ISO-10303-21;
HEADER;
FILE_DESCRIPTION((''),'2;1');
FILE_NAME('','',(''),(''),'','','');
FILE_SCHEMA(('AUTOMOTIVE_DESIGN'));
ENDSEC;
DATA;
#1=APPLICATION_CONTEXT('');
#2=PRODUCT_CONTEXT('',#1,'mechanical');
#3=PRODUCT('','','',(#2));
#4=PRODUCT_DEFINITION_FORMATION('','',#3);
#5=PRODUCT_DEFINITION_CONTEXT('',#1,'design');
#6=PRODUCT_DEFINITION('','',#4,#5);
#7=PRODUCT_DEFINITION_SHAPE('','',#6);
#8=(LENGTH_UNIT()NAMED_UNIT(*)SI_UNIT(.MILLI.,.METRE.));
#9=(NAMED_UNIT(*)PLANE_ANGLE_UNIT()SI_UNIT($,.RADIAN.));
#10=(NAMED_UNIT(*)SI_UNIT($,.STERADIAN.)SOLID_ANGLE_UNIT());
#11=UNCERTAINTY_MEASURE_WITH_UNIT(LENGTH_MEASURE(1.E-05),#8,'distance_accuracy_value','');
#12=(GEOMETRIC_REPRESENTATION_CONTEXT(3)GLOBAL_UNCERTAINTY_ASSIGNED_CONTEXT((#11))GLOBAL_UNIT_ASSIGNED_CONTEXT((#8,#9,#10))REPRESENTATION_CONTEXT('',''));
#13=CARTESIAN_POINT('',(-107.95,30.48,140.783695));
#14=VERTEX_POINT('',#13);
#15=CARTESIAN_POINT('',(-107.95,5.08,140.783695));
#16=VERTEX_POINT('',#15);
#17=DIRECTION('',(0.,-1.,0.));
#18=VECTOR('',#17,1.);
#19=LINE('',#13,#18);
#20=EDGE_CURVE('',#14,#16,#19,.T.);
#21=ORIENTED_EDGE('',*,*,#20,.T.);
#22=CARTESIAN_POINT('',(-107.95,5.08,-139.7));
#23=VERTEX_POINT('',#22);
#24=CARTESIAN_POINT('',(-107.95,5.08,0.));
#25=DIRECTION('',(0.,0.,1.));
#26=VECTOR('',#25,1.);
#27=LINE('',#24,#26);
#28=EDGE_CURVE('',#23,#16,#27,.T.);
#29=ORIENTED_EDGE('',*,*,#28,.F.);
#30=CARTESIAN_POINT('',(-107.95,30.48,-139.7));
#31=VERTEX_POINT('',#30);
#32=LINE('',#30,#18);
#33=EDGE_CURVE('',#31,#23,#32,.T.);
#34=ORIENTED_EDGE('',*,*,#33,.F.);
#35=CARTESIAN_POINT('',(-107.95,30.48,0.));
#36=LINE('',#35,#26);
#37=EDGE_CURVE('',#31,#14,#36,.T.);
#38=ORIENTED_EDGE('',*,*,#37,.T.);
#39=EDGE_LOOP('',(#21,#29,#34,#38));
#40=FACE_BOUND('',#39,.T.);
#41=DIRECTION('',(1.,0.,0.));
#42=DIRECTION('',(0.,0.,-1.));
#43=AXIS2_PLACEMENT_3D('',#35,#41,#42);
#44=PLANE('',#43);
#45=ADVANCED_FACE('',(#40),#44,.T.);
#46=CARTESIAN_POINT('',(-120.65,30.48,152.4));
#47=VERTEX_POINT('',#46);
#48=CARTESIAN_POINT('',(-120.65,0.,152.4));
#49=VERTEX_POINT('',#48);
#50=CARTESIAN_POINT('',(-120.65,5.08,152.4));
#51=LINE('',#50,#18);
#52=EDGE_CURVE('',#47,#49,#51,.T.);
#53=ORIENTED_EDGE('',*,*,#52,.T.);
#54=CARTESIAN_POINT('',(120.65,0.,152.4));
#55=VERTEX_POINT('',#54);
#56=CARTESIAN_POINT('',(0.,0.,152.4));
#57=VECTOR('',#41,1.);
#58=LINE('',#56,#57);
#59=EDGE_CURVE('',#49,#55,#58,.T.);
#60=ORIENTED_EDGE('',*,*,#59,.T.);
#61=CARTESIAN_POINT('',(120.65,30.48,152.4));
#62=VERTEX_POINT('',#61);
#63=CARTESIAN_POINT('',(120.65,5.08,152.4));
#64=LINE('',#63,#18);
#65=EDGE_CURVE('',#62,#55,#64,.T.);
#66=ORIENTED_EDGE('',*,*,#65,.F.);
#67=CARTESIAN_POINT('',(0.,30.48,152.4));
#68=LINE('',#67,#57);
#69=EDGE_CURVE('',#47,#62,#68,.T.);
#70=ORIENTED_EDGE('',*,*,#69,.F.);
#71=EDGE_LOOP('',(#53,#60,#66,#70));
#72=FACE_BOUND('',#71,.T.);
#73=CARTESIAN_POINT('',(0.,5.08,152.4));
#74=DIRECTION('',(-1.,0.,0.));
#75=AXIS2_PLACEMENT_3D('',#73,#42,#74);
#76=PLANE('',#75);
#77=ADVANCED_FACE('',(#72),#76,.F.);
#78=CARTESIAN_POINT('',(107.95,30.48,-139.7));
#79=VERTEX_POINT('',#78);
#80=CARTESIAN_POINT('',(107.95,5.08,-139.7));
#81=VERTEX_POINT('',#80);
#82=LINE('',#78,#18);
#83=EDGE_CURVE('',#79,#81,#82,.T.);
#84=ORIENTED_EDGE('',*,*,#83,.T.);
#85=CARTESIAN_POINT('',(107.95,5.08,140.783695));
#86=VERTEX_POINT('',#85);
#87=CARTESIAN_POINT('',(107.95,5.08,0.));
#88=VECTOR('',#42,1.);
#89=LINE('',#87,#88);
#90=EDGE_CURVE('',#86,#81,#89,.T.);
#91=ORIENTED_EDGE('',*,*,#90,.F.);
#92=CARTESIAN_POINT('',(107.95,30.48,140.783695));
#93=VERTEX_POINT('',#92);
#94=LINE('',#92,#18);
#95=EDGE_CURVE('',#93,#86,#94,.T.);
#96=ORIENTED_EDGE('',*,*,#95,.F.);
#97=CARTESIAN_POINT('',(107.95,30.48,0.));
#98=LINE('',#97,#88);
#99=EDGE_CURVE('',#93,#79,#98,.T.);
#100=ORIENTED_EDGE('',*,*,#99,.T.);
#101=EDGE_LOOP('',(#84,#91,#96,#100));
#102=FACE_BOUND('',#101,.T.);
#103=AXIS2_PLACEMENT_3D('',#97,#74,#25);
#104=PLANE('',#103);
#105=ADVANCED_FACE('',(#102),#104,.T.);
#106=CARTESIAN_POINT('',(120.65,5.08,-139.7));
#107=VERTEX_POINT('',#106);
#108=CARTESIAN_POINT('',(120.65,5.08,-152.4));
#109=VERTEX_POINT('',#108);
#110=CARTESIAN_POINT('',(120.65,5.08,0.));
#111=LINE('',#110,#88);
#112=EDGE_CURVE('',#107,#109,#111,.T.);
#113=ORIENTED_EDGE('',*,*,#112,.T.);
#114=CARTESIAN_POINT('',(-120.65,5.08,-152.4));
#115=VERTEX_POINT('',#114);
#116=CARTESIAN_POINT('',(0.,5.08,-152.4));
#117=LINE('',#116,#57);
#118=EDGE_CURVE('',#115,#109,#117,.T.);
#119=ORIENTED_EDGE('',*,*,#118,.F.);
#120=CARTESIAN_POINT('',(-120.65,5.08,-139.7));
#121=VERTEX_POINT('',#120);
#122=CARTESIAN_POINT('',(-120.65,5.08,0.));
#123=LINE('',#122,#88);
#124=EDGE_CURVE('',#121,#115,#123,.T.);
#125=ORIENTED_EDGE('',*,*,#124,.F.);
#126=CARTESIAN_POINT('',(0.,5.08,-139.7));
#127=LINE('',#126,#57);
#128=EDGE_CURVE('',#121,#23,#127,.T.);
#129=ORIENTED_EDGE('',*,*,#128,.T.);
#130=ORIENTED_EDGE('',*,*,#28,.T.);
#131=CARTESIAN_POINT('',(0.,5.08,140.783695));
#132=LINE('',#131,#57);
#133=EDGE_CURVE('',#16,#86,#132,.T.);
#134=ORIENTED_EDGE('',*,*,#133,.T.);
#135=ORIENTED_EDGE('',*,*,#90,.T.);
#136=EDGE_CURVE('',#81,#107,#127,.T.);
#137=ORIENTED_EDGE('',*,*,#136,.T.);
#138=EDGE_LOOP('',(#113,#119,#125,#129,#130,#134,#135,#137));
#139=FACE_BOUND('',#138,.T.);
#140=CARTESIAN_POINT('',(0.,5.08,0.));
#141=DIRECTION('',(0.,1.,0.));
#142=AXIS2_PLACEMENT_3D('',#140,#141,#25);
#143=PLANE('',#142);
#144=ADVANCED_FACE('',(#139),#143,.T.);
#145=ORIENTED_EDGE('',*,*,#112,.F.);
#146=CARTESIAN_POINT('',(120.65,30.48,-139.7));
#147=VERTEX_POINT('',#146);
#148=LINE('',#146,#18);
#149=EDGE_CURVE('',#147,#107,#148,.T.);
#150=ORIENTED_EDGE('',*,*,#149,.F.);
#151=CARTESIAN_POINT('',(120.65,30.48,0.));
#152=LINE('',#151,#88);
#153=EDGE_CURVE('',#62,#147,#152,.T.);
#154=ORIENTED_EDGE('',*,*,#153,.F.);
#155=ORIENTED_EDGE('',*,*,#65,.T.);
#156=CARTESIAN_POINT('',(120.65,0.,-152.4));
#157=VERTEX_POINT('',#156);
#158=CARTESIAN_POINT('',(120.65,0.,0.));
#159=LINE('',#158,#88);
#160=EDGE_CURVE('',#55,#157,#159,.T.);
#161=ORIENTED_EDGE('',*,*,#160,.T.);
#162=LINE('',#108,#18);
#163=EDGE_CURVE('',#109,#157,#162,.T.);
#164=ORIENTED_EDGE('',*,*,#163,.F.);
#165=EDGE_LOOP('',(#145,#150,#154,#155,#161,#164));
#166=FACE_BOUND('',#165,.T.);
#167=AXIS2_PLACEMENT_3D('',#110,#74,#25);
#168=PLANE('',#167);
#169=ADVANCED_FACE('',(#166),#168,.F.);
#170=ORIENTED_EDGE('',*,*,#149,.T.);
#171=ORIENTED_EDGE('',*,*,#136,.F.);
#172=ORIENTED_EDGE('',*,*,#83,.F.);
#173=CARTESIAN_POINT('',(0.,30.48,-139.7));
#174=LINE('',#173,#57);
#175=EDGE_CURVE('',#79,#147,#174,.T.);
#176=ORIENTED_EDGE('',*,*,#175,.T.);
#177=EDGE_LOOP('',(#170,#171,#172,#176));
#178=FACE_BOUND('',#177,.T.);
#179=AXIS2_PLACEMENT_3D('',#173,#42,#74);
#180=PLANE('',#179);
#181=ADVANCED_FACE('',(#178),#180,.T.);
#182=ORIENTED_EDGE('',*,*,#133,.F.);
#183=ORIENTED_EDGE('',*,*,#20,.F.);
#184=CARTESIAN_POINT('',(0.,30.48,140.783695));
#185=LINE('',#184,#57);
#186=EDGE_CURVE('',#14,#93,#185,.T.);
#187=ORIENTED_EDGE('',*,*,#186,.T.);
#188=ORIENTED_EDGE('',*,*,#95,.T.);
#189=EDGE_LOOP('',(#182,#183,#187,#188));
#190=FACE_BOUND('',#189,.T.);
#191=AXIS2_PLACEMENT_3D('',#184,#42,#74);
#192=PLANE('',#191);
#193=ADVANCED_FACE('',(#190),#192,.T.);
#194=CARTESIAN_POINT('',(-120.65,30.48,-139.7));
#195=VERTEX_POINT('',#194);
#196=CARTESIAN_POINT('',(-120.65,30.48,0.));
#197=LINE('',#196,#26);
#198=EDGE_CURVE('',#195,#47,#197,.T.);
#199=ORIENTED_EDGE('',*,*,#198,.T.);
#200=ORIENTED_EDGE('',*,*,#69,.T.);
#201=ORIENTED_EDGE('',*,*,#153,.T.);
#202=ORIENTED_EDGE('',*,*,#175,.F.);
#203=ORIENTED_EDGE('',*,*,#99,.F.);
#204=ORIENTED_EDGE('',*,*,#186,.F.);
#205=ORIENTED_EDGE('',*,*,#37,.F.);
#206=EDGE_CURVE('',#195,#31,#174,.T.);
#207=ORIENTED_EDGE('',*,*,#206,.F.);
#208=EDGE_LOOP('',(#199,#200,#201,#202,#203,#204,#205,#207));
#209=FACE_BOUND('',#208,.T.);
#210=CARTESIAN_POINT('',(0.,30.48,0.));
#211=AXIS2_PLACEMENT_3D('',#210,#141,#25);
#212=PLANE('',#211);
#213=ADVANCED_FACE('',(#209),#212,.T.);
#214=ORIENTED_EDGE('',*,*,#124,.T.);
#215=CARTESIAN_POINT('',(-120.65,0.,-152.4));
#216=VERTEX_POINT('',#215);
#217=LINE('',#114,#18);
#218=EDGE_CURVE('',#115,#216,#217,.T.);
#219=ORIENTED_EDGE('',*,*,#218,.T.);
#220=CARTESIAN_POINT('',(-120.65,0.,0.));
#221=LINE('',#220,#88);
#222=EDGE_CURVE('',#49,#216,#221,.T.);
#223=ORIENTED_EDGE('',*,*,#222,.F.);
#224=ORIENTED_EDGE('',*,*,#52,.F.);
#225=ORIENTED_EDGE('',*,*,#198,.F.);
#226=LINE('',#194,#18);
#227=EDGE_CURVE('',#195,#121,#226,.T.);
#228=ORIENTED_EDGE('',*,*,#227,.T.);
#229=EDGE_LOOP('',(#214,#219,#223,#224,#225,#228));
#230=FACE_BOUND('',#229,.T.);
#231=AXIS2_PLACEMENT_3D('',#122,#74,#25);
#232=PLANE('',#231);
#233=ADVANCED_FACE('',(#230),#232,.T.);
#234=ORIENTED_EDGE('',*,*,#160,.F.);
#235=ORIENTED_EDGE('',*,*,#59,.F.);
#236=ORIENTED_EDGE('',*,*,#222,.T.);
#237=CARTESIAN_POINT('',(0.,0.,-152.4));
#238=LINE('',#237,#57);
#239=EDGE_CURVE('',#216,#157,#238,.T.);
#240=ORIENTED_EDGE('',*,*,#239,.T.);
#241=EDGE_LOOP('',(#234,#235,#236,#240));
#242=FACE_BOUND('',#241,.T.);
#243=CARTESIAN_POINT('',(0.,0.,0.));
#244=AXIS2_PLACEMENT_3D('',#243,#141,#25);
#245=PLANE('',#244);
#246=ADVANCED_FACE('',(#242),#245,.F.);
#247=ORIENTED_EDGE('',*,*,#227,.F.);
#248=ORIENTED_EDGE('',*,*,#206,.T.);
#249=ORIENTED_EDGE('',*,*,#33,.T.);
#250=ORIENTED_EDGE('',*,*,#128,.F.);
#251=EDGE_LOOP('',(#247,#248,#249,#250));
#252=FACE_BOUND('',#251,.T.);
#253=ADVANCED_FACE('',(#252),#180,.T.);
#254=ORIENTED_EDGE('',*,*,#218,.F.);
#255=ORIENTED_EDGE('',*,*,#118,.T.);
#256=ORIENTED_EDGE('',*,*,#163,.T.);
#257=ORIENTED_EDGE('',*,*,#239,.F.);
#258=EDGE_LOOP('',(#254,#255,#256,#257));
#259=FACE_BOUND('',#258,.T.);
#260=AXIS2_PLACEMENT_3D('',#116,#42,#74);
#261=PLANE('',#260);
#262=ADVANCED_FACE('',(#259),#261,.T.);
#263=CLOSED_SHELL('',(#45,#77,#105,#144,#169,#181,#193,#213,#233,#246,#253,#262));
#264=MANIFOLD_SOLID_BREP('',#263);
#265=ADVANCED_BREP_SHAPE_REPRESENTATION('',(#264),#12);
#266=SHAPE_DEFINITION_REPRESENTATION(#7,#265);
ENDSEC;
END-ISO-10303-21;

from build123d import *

# Parameters (mm, degrees)
SKETCH1_W           = 241.3
SKETCH1_H           = 304.8
SKETCH1_W_2         = 215.9
SKETCH1_H_2         = 279.4
BOSS_EXTRUDE1_DEPTH = 5.08
BOSS_EXTRUDE2_DEPTH = 25.4


with BuildPart() as part:
    # Sketch1 → Boss-Extrude1 (new body)
    with BuildSketch(Plane(origin=(0, 0, 0), x_dir=(1, 0, 0), z_dir=(0, 1, 0))):
        Rectangle(SKETCH1_W, SKETCH1_H)
        Rectangle(SKETCH1_W_2, SKETCH1_H_2, mode=Mode.SUBTRACT)
        Rectangle(SKETCH1_W_2, SKETCH1_H_2)
    extrude(amount=BOSS_EXTRUDE1_DEPTH)

    # Sketch2 → Boss-Extrude2 (add)
    with BuildSketch(Plane(origin=(0, 5.08, 0), x_dir=(1, 0, 0), z_dir=(0, 1, 0))):
        Polygon((-107.95, 139.7), (-120.65, 139.7), (-120.65, -152.4), (120.65, -152.4), (120.65, 139.7), (107.95, 139.7), (107.95, -140.783695347), (-107.95, -140.783695347), align=None)
    extrude(amount=BOSS_EXTRUDE2_DEPTH)


solid = part.part
